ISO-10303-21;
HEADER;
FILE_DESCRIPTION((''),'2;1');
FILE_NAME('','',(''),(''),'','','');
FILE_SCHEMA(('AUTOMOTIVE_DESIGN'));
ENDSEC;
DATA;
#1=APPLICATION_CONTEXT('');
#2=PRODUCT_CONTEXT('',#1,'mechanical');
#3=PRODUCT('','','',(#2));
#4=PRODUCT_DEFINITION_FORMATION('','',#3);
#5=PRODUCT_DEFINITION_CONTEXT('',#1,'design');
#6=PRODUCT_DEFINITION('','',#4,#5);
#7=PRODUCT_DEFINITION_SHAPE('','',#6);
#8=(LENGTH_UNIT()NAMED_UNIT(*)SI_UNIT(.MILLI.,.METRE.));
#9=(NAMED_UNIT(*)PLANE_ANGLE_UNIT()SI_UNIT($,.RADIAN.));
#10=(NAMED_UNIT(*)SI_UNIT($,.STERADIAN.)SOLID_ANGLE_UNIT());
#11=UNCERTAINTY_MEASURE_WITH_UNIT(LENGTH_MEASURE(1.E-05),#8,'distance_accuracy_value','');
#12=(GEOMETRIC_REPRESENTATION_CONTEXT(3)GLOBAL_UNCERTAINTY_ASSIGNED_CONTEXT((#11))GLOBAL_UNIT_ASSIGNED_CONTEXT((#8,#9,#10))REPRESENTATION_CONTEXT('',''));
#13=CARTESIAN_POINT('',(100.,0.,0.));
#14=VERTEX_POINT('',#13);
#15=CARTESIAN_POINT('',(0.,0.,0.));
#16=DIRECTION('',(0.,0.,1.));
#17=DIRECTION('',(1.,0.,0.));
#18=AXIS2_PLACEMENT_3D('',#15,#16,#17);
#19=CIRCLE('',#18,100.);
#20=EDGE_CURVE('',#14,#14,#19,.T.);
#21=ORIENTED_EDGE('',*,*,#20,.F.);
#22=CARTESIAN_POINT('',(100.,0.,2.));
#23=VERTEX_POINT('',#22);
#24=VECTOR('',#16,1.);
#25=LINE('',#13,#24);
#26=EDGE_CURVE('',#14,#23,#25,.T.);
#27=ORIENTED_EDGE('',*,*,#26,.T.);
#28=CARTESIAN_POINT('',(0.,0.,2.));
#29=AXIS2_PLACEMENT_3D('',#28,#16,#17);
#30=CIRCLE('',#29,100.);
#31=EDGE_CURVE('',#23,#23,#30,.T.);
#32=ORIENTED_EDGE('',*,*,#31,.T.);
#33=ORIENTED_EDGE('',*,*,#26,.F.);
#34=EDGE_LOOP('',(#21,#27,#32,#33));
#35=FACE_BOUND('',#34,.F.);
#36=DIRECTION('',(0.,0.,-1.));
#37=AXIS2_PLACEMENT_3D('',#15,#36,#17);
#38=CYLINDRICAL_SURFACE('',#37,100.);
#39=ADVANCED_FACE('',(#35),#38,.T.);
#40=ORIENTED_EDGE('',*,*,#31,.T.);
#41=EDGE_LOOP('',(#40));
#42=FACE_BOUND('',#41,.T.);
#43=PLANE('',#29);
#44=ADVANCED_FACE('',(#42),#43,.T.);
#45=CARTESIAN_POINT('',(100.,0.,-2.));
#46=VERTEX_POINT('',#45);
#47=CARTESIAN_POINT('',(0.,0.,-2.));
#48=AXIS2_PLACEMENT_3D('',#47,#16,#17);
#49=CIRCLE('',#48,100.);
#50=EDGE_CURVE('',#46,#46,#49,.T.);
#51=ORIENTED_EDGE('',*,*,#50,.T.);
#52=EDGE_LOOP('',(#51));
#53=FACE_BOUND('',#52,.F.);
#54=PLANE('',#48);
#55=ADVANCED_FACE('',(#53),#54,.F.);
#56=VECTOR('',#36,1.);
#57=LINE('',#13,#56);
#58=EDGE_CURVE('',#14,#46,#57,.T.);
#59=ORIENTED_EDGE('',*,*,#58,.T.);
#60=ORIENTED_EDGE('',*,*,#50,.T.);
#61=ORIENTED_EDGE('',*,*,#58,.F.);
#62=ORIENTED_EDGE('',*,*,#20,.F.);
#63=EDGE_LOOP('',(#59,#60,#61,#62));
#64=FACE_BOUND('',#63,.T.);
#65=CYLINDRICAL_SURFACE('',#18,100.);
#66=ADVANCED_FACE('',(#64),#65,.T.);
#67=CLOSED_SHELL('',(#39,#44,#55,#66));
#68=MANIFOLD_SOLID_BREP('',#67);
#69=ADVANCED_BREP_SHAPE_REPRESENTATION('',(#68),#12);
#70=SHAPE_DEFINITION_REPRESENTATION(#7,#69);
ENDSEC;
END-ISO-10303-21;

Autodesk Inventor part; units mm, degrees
ref_plane "YZ Plane" through (0, 0, 0) normal (1, 0, 0) x (0, 1, 0)
ref_plane "XZ Plane" through (0, 0, 0) normal (0, 1, 0) x (-1, 0, 0)
ref_plane "XY Plane" through (0, 0, 0) normal (0, 0, 1) x (1, 0, 0)
sketch "Esquisse1" plane through (0, 0, 0) normal (0, 0, 1) x (1, 0, 0)
  circle A0 centre (0, 0) radius 100
  dimension "Diamètre_plateau" = 200
extrude "Extrusion1" add sketch "Esquisse1" along normal mid plane 4
properties part number "Plateau verre D200" material "Miroir"
